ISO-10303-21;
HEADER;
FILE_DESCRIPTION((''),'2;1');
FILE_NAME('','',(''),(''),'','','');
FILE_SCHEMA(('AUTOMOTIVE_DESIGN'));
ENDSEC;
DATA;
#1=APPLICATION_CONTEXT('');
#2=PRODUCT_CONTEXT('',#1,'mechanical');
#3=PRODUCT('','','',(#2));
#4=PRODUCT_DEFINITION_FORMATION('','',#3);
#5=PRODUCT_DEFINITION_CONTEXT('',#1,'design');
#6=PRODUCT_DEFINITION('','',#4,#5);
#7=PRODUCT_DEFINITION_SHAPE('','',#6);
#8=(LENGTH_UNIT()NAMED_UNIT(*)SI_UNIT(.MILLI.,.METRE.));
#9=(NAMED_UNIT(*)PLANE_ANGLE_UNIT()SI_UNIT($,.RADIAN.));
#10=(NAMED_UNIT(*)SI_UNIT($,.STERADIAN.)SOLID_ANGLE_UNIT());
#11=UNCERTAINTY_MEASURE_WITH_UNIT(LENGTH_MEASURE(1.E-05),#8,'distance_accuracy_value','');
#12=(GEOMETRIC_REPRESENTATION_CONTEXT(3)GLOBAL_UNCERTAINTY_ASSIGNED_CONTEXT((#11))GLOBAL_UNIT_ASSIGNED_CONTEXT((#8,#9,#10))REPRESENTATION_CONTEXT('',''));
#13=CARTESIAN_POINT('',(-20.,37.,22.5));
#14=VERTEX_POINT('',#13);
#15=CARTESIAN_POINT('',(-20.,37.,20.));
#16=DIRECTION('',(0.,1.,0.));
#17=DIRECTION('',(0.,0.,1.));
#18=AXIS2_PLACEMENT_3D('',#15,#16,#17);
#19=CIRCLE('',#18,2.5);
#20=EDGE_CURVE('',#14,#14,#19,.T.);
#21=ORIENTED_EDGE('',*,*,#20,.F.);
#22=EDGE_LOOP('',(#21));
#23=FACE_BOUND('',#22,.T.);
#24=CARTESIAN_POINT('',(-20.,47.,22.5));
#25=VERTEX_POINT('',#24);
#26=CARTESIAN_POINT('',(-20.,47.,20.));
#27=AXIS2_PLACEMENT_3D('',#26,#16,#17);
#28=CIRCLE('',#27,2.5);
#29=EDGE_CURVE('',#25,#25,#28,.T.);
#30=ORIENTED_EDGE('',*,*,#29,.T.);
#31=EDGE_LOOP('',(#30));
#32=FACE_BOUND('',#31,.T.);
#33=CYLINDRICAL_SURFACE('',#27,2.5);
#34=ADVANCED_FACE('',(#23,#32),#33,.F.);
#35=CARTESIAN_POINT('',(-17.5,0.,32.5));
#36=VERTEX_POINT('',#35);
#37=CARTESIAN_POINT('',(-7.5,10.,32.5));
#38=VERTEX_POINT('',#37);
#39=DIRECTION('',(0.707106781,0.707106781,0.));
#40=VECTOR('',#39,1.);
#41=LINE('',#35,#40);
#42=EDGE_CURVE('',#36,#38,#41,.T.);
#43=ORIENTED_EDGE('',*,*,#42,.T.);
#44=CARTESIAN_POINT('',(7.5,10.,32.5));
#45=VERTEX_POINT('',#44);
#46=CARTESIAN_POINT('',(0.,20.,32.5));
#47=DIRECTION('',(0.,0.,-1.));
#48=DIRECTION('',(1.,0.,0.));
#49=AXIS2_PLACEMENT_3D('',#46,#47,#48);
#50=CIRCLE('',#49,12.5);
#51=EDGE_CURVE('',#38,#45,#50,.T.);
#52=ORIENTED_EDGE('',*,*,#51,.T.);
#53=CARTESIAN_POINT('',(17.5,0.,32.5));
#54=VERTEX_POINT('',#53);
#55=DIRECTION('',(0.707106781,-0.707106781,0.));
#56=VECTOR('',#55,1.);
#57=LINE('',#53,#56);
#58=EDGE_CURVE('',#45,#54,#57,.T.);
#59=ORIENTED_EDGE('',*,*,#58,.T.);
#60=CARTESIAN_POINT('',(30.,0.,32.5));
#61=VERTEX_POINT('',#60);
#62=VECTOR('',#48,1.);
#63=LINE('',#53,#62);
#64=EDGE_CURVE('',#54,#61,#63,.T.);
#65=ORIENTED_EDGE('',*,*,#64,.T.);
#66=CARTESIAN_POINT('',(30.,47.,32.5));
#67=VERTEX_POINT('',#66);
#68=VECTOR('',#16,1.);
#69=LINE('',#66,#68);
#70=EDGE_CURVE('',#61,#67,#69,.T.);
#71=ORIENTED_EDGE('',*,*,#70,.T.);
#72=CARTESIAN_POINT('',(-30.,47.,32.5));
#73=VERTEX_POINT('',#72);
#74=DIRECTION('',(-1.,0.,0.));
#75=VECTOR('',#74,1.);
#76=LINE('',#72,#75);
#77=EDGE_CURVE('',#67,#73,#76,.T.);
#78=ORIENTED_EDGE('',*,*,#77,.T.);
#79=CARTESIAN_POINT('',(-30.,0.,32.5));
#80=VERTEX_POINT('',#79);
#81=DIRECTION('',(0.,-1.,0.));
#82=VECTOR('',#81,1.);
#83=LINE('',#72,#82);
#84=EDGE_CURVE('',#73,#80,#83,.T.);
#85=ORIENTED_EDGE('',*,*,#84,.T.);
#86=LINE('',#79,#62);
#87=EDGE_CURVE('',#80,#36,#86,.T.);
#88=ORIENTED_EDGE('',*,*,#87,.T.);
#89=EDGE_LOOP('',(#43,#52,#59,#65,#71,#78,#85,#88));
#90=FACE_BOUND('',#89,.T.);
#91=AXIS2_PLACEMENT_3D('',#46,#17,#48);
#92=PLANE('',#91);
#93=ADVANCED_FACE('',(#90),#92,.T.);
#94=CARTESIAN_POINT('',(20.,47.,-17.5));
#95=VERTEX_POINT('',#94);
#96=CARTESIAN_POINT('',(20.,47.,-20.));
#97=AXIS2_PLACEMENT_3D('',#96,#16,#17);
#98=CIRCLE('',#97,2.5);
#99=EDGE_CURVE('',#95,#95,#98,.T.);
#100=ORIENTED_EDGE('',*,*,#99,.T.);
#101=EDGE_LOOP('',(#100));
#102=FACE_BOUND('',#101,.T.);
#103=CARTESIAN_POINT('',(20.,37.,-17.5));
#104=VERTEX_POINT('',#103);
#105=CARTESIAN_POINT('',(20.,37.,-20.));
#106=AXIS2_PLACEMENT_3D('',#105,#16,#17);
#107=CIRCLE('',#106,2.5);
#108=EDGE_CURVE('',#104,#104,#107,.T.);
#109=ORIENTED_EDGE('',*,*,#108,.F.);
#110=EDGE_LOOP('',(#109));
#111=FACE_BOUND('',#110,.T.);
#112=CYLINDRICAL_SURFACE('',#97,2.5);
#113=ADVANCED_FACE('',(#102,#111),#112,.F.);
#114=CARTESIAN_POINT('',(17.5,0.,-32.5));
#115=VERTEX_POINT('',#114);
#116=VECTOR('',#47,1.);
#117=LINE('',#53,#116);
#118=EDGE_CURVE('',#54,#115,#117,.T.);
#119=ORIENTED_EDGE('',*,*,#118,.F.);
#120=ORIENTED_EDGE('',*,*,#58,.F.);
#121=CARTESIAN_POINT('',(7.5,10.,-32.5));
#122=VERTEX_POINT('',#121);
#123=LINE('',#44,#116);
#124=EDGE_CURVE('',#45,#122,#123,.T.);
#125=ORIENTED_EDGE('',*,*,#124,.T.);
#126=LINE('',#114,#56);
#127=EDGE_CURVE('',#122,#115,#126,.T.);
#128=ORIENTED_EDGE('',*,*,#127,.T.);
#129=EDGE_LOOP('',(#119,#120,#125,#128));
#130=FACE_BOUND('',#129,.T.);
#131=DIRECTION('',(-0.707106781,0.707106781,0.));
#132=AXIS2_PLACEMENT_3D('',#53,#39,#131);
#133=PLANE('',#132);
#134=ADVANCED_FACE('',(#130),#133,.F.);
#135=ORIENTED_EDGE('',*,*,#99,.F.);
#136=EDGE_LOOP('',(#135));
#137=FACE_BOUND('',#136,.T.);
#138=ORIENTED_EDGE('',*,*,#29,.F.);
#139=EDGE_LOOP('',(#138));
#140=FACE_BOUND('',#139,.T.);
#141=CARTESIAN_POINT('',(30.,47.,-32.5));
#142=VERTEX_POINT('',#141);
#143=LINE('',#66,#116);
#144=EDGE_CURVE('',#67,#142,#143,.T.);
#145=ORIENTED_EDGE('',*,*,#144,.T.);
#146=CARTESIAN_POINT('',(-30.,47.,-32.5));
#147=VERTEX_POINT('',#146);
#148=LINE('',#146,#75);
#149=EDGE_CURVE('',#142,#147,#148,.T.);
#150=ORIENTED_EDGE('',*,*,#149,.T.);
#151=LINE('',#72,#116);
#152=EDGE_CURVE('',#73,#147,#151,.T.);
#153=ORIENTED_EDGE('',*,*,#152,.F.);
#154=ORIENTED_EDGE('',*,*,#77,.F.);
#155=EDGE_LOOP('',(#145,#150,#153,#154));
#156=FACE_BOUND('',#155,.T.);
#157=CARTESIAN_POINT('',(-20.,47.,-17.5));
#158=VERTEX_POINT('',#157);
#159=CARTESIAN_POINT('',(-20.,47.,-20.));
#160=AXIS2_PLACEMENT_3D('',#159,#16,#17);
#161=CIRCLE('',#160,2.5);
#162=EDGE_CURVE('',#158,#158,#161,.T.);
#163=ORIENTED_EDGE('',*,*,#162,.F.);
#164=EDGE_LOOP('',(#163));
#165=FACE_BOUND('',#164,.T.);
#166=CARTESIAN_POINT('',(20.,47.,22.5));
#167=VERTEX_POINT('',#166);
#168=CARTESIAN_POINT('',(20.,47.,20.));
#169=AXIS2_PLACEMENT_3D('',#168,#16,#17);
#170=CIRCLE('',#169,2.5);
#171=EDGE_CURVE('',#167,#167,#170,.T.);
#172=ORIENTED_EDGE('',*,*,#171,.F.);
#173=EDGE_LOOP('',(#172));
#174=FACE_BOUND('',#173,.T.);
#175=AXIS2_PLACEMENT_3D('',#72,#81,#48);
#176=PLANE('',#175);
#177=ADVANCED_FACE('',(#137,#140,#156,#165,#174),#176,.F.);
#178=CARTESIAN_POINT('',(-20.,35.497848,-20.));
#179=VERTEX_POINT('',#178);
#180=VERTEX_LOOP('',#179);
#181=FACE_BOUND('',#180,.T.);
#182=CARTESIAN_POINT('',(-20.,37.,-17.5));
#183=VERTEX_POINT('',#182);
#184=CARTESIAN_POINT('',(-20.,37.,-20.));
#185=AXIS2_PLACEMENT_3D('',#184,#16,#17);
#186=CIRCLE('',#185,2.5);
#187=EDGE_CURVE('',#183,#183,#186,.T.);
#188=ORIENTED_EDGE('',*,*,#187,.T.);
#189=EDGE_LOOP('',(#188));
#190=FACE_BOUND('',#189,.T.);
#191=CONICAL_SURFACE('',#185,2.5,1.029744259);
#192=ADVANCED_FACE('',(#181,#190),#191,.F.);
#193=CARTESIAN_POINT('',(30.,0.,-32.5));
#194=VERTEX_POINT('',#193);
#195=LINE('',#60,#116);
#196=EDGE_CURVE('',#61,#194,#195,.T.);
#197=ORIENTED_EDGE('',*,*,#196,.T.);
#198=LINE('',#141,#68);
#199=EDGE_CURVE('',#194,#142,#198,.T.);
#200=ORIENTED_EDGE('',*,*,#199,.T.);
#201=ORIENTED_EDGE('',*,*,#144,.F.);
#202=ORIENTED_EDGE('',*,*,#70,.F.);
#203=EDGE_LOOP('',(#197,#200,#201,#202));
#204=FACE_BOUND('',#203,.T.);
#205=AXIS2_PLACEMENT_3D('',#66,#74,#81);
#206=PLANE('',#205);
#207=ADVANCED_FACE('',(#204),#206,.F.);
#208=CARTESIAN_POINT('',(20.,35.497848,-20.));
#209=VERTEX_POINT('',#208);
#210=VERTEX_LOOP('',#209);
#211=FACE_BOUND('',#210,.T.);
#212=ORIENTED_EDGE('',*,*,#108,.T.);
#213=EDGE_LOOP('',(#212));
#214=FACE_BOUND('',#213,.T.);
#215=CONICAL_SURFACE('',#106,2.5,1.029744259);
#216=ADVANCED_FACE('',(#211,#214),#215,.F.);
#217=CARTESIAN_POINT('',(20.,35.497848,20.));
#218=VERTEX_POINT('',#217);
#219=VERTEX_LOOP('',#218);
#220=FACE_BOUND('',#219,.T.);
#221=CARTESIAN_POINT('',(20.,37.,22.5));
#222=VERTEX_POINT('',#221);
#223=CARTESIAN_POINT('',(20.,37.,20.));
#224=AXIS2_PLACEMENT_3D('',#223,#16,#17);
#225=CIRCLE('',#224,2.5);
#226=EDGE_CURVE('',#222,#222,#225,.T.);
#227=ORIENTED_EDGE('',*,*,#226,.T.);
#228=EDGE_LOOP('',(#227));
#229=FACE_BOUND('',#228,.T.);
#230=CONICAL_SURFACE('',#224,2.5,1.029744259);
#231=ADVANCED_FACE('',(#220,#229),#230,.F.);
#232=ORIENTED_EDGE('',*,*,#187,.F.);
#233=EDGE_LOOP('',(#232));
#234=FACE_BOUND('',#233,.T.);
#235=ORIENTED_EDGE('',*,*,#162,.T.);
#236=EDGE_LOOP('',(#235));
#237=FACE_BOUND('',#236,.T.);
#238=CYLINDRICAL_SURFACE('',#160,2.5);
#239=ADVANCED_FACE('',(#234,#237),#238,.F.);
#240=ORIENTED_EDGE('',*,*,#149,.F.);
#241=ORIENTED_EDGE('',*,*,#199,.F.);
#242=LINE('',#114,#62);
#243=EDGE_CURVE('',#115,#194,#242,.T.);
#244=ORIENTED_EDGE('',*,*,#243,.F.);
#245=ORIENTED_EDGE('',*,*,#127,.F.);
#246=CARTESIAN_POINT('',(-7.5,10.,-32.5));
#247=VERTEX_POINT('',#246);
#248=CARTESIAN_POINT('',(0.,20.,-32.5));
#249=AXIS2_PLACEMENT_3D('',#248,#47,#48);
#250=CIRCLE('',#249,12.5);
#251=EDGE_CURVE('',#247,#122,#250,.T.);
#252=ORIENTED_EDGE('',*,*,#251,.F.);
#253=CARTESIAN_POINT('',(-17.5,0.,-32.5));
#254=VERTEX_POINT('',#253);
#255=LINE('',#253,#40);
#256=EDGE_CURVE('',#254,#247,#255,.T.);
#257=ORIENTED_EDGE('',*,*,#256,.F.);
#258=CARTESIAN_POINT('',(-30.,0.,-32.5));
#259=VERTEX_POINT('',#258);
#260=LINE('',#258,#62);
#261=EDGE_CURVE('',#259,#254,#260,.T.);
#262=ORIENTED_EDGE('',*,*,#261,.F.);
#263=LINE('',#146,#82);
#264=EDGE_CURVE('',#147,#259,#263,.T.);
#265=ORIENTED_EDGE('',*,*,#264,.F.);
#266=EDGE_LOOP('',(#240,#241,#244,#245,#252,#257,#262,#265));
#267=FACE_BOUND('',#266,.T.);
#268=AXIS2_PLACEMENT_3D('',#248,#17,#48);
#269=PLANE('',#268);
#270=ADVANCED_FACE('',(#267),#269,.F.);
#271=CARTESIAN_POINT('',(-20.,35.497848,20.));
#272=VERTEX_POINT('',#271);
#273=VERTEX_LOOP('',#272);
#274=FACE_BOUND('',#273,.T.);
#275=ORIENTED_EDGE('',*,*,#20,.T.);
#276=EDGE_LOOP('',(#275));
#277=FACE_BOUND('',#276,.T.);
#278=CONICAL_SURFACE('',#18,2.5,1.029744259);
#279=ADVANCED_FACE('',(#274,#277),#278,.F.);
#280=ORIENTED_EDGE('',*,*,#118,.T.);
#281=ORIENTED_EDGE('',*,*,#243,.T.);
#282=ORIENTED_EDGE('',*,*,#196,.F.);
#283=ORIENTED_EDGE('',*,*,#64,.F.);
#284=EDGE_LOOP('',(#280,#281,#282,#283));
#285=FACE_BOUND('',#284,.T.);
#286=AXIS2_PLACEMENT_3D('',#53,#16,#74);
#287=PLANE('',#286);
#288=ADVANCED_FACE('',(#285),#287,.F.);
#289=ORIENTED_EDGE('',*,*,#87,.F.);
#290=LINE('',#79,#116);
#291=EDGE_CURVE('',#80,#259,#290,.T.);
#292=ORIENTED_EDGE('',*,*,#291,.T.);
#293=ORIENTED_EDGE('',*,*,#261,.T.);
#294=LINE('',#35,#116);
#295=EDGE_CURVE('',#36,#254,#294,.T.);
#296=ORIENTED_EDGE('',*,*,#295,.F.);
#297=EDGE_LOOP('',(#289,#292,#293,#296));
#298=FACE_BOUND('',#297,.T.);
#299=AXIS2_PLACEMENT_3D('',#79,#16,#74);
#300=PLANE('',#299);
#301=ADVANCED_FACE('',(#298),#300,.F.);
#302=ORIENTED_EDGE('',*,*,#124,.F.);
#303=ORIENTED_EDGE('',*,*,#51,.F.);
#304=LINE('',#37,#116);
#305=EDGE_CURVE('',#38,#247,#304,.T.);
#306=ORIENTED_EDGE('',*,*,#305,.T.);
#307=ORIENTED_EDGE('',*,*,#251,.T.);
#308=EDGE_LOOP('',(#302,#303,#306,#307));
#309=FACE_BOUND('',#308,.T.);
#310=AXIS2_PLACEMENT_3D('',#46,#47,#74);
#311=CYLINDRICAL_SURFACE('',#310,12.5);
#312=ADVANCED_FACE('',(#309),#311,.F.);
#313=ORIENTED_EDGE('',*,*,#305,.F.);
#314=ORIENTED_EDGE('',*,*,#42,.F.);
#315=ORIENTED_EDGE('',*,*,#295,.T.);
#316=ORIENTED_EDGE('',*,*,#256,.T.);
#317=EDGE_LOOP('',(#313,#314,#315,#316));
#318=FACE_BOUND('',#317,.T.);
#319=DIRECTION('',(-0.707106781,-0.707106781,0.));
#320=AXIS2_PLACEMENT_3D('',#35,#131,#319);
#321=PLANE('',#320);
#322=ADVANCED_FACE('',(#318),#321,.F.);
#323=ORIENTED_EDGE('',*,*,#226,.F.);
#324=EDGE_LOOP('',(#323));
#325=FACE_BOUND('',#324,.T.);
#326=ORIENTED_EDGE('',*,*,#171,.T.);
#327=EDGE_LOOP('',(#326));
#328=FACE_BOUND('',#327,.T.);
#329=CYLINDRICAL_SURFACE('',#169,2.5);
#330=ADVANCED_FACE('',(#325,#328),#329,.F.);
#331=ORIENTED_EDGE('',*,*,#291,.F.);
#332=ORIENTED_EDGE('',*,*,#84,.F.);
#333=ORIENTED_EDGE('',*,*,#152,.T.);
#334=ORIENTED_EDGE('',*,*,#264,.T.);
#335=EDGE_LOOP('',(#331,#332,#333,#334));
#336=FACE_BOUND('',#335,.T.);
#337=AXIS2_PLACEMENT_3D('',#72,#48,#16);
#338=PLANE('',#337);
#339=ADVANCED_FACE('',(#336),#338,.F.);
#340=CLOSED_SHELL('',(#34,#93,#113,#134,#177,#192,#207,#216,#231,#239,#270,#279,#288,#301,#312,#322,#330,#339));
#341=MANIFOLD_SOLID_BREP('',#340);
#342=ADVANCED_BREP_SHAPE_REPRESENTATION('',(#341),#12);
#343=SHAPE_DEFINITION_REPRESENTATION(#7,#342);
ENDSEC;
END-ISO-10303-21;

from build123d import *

# Parameters (mm, degrees)
EXTRUDE_1_DEPTH        = 32.5
HOLE_WIZARD_M6_1_D     = 5
HOLE_WIZARD_M6_1_DEPTH = 10
HOLE_WIZARD_M6_1_TIP   = 1.502151548


with BuildPart() as part:
    # 草图1 → 凸台-拉伸1 (new body, symmetric)
    with BuildSketch(Plane.XY):
        with BuildLine():
            Line((-17.5, 0), (-7.5, 10))
            ThreePointArc((-7.5, 10), (0, 32.5), (7.5, 10))
            Line((7.5, 10), (17.5, 0))
            Line((17.5, 0), (30, 0))
            Line((30, 0), (30, 47))
            Line((30, 47), (-30, 47))
            Line((-30, 47), (-30, 0))
            Line((-30, 0), (-17.5, 0))
        make_face()
    extrude(amount=EXTRUDE_1_DEPTH, both=True)

    # M6 螺纹孔1
    with Locations(Plane(origin=(-20, 47, -20), x_dir=(1, 0, 0), z_dir=(0, 1, 0))):
        with Locations((0, 0), (40, 0), (40, -40), (0, -40)):
            Hole(HOLE_WIZARD_M6_1_D / 2, depth=HOLE_WIZARD_M6_1_DEPTH)
            with Locations((0, 0, -(HOLE_WIZARD_M6_1_DEPTH + HOLE_WIZARD_M6_1_TIP / 2))):  # 118° drill point
                Cone(0, HOLE_WIZARD_M6_1_D / 2, HOLE_WIZARD_M6_1_TIP, mode=Mode.SUBTRACT)


solid = part.part
